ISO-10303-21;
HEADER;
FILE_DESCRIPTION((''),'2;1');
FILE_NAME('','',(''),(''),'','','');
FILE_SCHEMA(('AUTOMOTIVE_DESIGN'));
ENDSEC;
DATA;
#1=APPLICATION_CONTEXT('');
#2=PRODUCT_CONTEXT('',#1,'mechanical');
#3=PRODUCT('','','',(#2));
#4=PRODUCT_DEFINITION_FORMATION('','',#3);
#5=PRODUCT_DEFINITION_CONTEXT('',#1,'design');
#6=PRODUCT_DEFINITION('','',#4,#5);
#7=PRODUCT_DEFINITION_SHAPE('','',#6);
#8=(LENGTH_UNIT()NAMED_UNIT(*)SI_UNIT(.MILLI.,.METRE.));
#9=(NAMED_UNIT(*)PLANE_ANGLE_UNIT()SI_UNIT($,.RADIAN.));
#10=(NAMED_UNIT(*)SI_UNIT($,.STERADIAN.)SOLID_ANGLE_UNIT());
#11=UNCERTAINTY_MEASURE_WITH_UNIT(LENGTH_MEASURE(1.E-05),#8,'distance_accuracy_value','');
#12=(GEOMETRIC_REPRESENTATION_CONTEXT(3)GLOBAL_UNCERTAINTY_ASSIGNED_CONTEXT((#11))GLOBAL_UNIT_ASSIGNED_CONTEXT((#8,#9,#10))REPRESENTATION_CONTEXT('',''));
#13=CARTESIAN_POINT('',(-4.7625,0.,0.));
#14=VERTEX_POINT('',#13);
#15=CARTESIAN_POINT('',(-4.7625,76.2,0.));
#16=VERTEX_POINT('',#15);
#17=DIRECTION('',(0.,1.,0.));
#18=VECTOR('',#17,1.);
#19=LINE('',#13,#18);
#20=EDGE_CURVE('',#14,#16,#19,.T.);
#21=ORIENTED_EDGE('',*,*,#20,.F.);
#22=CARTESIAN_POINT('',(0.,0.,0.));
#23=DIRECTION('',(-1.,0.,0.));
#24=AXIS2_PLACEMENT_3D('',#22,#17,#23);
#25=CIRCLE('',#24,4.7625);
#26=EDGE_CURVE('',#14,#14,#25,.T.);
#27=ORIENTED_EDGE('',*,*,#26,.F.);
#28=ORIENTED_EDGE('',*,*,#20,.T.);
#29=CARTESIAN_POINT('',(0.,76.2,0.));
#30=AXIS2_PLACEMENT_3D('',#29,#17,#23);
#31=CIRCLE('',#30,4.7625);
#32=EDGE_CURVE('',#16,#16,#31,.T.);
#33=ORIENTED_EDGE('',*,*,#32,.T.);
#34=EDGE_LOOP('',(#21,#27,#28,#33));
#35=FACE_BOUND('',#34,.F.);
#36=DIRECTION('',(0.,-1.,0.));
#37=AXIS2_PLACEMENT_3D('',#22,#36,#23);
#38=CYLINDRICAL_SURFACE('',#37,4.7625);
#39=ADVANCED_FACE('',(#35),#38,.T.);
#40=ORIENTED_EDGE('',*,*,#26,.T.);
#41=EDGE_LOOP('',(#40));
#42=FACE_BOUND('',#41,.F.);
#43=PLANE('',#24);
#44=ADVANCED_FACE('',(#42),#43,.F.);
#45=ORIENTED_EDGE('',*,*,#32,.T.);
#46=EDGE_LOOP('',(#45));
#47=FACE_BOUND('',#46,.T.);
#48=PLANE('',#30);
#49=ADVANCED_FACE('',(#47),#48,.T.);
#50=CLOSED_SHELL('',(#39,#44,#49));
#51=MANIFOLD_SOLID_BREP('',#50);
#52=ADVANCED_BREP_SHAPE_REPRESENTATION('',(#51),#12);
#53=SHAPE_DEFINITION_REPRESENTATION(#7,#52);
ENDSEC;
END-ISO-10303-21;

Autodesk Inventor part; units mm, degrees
ref_plane "YZ Plane" through (0, 0, 0) normal (1, 0, 0) x (0, 1, 0)
ref_plane "XZ Plane" through (0, 0, 0) normal (0, 1, 0) x (-1, 0, 0)
ref_plane "XY Plane" through (0, 0, 0) normal (0, 0, 1) x (1, 0, 0)
sketch "Sketch1" plane through (0, 0, 0) normal (0, 1, 0) x (-1, 0, 0)
  circle A0 centre (0, 0) radius 4.7625
  dimension "d0" = 9.525
extrude "Extrusion1" add sketch "Sketch1" along normal blind 76.2
properties part number "3 inch round Shaft 2"
